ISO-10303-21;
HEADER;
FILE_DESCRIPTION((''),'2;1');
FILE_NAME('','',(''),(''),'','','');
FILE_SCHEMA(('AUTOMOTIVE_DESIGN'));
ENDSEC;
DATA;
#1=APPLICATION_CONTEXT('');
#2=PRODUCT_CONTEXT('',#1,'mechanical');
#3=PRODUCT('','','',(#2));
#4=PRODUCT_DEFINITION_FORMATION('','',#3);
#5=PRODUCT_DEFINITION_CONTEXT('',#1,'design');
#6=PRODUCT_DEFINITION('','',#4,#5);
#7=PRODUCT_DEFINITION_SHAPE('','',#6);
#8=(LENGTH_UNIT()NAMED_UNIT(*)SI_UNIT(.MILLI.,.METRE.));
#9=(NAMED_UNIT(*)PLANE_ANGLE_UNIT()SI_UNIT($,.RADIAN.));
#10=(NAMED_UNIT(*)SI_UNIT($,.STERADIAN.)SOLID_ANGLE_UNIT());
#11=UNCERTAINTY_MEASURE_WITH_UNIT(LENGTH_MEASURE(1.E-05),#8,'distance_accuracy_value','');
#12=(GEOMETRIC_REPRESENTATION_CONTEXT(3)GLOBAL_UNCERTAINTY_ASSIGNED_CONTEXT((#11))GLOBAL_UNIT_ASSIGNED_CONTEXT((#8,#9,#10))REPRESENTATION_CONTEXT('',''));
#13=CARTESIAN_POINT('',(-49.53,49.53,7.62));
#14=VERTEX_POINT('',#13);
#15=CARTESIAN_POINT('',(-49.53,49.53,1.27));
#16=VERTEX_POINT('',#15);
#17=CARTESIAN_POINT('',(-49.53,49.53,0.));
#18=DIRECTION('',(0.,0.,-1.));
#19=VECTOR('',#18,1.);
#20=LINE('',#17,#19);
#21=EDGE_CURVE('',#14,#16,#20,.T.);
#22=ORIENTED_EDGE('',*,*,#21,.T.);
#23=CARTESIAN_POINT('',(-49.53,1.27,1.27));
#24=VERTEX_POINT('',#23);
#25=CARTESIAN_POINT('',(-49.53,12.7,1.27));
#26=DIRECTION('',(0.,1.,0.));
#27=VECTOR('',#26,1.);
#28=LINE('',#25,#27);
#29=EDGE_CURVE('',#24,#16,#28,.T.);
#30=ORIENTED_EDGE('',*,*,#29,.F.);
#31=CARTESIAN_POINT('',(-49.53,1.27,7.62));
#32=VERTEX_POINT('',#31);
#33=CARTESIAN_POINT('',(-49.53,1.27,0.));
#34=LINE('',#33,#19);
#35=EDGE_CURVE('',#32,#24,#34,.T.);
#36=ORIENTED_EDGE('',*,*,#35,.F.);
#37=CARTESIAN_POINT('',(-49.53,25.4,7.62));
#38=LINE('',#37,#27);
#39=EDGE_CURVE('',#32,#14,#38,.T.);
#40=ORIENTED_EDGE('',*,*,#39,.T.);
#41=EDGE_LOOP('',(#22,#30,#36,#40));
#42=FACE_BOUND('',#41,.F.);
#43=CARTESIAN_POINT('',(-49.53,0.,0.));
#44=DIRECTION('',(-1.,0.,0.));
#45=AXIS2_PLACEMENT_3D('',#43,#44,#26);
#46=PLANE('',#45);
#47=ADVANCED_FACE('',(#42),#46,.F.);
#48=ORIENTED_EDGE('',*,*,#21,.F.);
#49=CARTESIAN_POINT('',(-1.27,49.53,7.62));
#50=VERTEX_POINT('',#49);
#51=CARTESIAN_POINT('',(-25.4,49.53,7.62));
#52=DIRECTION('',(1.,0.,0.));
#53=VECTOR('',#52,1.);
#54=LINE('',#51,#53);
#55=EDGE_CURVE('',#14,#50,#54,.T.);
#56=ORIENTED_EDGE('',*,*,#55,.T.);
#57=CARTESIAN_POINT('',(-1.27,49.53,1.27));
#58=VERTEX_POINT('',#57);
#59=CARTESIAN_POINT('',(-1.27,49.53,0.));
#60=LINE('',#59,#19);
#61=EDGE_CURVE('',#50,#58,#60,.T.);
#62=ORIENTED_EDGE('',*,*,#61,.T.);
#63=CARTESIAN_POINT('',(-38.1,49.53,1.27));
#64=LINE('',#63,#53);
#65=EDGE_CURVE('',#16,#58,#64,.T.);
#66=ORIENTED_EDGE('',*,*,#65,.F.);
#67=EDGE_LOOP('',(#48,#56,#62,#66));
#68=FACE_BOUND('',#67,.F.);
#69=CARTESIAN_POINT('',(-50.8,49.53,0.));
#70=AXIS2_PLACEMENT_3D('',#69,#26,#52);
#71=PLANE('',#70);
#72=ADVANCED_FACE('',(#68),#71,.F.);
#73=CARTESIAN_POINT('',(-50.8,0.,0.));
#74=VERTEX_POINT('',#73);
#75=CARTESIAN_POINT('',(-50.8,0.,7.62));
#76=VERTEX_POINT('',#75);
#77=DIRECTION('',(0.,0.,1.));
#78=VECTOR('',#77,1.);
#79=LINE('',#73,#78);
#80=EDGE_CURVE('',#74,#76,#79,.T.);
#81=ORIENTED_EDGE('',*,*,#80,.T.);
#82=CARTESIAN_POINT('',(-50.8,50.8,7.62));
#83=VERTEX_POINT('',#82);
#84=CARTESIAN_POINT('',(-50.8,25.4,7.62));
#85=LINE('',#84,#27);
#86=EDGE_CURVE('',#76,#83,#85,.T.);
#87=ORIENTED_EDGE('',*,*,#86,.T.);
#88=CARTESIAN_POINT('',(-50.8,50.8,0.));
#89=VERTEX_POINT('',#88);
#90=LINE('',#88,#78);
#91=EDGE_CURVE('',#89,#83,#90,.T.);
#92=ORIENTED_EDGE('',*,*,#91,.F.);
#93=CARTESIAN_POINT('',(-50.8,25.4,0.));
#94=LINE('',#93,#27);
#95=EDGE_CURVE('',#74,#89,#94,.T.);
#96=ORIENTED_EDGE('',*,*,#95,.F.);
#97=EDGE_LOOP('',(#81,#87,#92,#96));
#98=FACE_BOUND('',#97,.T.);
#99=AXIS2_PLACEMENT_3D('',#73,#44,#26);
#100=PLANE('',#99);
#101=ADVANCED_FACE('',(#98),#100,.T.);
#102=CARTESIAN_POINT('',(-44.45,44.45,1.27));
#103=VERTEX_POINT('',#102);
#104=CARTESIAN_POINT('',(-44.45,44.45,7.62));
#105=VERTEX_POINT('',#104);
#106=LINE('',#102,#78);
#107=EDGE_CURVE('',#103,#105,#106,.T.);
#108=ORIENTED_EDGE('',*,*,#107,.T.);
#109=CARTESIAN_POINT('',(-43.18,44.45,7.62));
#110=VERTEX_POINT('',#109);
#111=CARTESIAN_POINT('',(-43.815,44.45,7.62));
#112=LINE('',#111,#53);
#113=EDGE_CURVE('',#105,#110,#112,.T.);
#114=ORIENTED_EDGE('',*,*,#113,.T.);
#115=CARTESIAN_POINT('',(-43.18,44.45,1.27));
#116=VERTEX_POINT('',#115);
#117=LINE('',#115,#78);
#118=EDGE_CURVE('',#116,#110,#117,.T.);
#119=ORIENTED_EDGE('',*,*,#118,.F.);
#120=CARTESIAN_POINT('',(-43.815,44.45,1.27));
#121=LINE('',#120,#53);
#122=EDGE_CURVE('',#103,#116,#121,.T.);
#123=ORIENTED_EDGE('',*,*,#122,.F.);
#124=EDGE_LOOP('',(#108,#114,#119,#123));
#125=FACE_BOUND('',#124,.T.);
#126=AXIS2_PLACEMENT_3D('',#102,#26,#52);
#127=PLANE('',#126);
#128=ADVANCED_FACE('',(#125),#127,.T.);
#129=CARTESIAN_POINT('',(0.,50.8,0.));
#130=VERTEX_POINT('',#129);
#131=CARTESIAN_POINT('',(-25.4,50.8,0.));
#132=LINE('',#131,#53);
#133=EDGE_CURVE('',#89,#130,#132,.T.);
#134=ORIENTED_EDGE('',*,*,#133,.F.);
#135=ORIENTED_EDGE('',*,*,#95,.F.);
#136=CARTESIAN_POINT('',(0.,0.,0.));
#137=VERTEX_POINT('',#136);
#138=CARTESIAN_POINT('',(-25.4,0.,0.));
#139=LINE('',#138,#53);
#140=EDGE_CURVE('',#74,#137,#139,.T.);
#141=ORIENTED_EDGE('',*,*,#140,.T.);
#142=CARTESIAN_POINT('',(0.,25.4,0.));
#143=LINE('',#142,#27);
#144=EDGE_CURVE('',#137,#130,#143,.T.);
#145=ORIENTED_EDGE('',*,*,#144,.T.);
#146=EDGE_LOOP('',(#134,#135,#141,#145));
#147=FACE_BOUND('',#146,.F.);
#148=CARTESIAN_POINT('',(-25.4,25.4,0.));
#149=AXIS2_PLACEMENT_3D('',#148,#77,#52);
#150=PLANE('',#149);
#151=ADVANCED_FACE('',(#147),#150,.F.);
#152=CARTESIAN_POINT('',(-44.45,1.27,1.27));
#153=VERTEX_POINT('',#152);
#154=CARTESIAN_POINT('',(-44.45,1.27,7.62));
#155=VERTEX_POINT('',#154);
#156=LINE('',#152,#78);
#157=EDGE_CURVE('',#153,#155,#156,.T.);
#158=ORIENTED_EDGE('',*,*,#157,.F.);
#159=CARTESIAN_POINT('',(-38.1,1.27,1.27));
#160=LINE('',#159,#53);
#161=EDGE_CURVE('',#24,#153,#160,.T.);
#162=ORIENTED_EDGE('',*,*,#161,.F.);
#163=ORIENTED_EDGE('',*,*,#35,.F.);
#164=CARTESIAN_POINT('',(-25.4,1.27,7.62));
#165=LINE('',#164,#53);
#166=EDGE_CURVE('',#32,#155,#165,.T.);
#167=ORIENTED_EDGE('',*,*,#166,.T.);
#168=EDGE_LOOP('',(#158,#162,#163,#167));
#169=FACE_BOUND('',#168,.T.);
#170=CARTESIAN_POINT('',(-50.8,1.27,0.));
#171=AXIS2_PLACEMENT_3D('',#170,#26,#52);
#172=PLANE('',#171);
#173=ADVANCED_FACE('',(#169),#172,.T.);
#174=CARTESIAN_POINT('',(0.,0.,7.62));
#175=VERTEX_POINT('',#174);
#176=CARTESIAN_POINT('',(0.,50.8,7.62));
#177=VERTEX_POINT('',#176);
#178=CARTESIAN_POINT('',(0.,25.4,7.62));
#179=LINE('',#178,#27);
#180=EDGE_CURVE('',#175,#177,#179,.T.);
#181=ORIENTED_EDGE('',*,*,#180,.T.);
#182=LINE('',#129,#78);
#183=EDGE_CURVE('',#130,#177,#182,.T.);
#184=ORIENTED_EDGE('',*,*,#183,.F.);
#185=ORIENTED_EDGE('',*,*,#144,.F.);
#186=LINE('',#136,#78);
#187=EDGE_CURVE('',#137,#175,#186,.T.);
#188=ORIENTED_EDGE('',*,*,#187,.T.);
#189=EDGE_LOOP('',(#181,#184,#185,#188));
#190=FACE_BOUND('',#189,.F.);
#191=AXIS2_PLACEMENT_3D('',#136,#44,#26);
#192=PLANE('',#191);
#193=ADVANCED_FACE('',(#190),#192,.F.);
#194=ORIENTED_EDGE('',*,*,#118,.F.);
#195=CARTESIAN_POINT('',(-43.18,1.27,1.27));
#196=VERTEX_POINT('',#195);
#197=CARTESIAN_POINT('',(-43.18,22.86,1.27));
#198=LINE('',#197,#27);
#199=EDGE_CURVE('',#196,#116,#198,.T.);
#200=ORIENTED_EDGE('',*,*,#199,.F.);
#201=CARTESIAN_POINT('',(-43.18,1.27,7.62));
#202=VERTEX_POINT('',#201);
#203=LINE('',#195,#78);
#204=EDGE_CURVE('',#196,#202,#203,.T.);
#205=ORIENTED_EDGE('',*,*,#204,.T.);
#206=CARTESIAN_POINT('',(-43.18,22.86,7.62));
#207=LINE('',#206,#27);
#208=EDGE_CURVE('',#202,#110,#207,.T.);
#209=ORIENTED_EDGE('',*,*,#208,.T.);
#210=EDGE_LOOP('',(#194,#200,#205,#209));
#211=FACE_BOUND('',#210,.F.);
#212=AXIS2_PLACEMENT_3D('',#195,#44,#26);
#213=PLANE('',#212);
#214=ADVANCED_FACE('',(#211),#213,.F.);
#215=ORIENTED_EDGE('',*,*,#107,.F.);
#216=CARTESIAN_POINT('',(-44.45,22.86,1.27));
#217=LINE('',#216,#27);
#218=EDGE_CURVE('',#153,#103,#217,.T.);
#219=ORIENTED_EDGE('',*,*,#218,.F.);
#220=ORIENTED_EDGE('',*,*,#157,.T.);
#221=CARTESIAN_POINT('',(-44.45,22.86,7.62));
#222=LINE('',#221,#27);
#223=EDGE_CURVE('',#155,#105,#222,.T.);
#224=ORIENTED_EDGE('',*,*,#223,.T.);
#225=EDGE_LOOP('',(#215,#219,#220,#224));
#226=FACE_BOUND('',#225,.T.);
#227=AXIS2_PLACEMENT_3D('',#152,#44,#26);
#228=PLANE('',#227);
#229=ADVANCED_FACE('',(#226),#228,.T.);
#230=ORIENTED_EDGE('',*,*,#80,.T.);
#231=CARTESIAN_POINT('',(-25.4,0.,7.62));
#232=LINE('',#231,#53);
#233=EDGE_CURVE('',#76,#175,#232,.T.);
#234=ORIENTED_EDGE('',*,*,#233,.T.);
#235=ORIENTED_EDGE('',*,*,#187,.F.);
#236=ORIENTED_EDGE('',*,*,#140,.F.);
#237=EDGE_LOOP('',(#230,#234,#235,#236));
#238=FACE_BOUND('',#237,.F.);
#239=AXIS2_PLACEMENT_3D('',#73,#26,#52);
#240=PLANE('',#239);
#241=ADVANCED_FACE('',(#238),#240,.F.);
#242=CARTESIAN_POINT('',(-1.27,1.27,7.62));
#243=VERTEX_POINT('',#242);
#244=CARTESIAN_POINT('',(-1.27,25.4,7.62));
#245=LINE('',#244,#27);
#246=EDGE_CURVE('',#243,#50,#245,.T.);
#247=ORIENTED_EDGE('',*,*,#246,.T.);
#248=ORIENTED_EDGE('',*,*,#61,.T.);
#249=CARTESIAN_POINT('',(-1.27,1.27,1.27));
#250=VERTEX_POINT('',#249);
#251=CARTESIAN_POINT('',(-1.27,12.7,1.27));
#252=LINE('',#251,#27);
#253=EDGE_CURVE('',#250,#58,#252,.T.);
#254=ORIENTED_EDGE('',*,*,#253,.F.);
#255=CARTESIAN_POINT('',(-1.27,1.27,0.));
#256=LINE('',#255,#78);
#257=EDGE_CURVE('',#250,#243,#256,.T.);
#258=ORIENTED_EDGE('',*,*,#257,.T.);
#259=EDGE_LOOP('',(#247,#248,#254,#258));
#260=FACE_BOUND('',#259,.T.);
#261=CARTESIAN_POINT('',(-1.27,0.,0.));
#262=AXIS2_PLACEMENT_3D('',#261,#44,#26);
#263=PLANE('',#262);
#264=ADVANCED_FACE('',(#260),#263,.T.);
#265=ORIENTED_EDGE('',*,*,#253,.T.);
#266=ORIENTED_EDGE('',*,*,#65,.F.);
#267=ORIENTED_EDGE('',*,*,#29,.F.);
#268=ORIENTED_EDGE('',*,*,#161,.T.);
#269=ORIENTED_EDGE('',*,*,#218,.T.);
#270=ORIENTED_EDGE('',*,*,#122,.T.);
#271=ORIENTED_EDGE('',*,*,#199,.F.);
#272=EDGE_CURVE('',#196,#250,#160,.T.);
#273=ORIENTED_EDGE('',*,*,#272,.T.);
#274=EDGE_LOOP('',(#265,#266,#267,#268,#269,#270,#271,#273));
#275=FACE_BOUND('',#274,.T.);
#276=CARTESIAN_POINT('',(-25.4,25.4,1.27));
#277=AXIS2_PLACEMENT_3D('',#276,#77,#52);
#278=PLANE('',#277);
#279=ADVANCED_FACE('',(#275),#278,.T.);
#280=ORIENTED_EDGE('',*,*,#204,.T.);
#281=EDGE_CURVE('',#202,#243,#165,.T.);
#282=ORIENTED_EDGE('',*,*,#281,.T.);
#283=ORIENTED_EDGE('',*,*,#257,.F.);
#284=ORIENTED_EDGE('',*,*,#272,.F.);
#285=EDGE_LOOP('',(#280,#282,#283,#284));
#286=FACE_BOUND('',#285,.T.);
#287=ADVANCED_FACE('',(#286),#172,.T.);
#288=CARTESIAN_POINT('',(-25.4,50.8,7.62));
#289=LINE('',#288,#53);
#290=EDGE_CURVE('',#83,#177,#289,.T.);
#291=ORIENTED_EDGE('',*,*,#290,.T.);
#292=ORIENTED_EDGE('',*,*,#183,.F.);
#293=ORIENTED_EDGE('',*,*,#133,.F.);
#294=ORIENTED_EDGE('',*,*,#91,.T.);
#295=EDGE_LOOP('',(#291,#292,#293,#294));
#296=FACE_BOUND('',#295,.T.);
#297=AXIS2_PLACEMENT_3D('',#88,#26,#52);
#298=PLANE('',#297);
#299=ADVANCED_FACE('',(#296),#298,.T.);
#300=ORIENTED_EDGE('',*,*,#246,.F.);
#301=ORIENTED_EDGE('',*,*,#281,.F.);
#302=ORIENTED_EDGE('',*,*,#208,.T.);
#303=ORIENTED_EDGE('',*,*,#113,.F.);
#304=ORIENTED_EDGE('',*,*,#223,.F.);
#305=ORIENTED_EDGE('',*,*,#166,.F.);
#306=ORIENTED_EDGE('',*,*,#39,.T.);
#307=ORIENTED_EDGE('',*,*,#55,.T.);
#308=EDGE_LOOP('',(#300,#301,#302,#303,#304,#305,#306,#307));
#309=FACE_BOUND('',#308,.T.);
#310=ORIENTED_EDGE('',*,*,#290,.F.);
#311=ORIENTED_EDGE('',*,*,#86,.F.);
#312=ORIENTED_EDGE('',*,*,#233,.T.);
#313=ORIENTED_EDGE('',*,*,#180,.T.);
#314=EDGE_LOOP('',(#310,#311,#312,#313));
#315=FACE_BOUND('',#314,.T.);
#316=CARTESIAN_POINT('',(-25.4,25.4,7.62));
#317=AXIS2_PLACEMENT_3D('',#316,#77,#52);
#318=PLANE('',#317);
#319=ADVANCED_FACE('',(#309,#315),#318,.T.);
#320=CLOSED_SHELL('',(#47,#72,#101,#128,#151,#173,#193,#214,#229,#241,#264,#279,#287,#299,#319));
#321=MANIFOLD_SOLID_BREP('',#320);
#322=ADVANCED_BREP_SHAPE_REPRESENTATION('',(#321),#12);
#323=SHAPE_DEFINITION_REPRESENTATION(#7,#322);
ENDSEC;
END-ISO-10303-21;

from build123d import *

# Parameters (mm, degrees)
F0_W     = 50.8
F0_H     = 50.8
F1_DEPTH = 7.62
F2_T     = -1.27
F3_W     = 1.27
F3_H     = 43.18
F4_DEPTH = 6.35


with BuildPart() as f1:
    # F0 (on Top) → F1 (new body)
    with BuildSketch(Plane.XY):
        with Locations((-25.4, 25.4)):
            Rectangle(F0_W, F0_H)
    extrude(amount=F1_DEPTH)

    # F2
    f2_openings = [f1.faces().sort_by_distance(p)[0] for p in [
        (-25.4, 25.4, 7.62),
    ]]
    offset(amount=F2_T, openings=f2_openings)

    # F3 (on face) → F4 (join)
    with BuildSketch(Plane.XY.offset(1.27)):
        with Locations((-43.815, 22.86)):
            Rectangle(F3_W, F3_H)
    extrude(amount=F4_DEPTH)


solid = f1.part
